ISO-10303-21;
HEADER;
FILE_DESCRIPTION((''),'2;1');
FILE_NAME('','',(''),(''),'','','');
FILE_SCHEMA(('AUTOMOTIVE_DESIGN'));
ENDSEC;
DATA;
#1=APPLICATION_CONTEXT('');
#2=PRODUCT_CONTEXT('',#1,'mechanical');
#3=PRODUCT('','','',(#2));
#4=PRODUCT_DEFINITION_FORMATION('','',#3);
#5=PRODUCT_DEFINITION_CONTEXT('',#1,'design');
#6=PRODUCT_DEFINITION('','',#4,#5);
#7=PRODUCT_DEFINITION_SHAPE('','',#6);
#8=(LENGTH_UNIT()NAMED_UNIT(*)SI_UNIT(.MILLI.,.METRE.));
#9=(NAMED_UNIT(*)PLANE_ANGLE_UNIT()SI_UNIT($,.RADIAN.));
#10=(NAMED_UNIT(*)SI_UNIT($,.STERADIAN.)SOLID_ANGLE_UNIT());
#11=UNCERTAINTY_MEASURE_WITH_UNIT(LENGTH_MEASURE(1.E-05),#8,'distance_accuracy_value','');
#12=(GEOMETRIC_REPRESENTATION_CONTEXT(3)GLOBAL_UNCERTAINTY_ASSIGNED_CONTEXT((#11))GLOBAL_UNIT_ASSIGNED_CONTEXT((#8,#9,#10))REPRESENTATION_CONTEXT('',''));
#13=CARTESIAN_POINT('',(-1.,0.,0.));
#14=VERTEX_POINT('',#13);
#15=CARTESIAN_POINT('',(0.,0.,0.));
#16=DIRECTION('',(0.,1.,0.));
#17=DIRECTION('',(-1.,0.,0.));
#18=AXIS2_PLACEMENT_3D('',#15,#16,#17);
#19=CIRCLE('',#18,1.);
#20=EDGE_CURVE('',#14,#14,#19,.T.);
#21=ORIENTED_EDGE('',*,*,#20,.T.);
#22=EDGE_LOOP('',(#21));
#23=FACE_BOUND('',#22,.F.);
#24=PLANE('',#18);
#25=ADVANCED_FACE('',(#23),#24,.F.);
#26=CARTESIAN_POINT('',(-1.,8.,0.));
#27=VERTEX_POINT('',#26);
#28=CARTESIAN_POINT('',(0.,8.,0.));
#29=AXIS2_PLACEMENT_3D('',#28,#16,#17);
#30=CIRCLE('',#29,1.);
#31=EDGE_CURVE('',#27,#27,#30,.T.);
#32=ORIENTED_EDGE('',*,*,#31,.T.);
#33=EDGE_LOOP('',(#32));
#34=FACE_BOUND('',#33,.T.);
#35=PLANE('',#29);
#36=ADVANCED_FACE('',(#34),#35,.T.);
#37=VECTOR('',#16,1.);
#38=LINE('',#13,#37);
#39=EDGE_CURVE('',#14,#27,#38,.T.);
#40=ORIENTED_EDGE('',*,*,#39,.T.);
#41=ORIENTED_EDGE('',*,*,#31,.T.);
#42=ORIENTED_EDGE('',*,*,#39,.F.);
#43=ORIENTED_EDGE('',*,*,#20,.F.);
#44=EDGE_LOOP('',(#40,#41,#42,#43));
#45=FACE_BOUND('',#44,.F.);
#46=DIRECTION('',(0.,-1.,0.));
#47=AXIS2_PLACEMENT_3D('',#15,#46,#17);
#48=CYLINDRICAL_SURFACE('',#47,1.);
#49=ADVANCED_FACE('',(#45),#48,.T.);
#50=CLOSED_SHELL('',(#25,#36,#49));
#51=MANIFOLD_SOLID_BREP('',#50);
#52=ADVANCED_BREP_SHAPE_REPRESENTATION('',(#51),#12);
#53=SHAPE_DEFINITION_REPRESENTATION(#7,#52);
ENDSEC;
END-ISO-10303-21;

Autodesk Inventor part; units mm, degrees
ref_plane "YZ Plane" through (0, 0, 0) normal (1, 0, 0) x (0, 1, 0)
ref_plane "XZ Plane" through (0, 0, 0) normal (0, 1, 0) x (-1, 0, 0)
ref_plane "XY Plane" through (0, 0, 0) normal (0, 0, 1) x (1, 0, 0)
sketch "Skizze1" plane through (0, 0, 0) normal (0, 1, 0) x (-1, 0, 0)
  circle A0 centre (0, 0) radius 1
  dimension "d0" = 2
extrude "Extrusion1" add sketch "Skizze1" along normal blind 8
properties part number "19_1"
